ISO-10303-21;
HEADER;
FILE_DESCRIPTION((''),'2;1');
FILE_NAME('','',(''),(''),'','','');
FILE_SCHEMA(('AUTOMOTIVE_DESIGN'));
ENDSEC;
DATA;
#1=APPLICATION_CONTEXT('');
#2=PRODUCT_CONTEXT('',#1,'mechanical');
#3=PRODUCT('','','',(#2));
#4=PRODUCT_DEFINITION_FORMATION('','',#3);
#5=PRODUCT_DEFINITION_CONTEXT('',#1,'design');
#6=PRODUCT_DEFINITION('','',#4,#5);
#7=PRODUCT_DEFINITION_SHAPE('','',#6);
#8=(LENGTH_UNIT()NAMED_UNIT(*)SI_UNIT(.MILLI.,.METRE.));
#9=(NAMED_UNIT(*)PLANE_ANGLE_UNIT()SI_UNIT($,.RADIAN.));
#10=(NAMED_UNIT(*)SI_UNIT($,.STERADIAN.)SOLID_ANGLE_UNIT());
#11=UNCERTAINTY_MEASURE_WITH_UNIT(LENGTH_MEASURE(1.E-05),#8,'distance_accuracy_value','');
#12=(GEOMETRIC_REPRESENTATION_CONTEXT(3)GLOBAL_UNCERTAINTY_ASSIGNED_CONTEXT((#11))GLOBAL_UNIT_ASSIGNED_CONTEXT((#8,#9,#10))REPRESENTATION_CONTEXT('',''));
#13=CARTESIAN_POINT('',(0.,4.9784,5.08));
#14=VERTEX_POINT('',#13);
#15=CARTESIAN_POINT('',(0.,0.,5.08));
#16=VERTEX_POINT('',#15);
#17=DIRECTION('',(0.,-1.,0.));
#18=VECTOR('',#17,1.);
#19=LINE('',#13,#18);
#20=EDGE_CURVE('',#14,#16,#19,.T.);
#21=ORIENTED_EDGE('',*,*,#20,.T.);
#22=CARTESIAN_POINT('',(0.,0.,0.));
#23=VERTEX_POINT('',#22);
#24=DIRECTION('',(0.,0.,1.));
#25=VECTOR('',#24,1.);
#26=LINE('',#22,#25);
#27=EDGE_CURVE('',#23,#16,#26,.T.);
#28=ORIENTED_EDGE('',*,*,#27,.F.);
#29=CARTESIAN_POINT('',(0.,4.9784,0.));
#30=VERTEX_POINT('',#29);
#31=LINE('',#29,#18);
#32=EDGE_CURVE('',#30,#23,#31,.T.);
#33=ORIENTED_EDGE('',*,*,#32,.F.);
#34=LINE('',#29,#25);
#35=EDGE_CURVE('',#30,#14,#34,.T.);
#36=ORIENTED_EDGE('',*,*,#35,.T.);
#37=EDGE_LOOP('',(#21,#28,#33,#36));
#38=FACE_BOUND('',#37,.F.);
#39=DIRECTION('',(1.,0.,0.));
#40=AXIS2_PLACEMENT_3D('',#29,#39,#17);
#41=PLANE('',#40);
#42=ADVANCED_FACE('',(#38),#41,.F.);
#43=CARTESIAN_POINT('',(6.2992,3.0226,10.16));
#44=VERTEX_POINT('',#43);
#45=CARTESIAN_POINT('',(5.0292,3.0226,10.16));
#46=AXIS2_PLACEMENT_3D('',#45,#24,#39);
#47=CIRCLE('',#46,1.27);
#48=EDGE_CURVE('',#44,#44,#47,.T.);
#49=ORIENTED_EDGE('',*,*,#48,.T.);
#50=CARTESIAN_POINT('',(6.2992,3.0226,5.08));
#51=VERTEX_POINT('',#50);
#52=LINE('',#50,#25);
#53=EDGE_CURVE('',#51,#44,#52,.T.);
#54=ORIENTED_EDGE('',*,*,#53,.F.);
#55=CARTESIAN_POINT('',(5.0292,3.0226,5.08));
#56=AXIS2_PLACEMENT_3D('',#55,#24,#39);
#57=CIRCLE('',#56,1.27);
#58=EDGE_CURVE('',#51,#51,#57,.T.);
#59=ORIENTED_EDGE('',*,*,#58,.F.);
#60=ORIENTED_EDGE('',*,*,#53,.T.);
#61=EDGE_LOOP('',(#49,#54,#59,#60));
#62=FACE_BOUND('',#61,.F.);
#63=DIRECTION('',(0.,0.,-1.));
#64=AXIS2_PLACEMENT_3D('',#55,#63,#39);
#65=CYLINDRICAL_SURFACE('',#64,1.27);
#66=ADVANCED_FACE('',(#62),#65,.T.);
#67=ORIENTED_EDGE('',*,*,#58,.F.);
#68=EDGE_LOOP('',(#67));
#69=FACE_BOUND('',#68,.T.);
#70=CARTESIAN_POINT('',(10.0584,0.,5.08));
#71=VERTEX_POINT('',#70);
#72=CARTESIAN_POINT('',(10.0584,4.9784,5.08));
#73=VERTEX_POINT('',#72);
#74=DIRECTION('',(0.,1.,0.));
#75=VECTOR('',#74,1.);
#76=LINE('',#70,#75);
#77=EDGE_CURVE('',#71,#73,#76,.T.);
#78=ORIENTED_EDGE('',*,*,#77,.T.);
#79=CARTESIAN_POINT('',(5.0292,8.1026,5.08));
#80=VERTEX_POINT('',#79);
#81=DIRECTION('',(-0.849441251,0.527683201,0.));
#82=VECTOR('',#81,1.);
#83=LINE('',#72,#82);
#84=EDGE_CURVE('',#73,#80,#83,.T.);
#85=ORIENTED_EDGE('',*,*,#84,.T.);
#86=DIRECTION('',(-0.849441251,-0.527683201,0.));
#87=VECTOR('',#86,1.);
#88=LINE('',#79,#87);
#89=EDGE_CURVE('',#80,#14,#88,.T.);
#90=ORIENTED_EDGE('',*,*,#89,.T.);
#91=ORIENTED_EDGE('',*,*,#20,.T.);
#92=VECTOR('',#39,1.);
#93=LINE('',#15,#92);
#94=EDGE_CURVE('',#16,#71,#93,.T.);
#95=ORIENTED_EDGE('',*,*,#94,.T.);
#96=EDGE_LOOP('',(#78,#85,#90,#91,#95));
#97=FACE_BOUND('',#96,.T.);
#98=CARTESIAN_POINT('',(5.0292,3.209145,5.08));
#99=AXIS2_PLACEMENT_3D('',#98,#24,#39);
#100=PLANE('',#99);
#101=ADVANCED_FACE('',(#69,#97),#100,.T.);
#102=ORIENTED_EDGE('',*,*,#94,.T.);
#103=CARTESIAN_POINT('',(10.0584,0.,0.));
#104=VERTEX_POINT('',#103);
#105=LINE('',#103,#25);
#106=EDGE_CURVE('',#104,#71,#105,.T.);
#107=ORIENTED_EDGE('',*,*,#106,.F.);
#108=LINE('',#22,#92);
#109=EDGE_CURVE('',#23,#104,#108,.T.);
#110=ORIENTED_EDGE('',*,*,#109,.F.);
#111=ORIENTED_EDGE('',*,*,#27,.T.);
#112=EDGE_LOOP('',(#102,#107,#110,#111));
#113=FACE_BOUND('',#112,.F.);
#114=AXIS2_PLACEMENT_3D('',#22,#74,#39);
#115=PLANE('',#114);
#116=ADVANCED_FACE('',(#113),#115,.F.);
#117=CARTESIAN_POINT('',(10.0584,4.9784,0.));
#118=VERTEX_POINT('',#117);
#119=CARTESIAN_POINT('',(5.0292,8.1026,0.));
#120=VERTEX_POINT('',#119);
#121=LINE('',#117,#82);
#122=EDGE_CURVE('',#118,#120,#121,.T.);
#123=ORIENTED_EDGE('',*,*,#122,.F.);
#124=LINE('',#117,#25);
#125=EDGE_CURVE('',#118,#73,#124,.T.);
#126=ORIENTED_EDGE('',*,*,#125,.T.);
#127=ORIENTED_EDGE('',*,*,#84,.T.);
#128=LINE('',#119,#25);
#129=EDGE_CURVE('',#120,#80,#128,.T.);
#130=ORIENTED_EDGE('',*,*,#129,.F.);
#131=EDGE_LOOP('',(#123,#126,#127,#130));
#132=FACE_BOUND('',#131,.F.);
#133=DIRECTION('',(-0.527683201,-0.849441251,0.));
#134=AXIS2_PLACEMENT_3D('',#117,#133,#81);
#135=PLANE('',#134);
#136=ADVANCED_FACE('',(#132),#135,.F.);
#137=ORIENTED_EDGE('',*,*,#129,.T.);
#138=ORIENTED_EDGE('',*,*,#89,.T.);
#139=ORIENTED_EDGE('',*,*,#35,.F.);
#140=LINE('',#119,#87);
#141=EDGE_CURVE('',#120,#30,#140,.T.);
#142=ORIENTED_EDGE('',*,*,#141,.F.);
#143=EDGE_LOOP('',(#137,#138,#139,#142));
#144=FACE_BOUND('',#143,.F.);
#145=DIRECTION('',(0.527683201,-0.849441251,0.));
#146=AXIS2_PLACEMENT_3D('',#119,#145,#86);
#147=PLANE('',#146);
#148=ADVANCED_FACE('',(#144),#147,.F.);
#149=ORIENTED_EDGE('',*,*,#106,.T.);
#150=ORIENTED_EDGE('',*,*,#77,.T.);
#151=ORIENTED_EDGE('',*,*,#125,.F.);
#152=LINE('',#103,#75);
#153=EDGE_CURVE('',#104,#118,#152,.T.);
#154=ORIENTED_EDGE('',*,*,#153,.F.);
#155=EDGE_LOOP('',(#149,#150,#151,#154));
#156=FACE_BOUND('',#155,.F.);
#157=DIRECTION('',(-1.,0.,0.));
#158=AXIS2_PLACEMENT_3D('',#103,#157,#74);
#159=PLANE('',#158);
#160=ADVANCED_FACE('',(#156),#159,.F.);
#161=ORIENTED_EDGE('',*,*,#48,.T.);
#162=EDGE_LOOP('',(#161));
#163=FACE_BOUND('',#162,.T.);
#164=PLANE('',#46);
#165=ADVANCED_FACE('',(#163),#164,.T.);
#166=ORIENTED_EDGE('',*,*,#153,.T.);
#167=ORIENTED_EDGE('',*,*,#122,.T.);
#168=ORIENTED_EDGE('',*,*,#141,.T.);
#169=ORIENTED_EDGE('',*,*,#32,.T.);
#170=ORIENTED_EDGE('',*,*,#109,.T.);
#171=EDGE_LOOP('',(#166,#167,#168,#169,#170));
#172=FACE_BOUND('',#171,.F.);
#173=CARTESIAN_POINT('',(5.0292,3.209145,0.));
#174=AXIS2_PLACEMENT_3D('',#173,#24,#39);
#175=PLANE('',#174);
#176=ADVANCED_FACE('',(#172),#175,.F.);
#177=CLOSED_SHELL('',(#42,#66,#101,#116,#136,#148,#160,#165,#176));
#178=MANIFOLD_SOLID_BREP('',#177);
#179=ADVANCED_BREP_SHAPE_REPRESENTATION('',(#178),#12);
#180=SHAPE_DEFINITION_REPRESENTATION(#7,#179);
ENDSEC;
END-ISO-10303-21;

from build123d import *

# Parameters (mm, degrees)
F1_DEPTH = 5.08
F2_R     = 1.27
F3_DEPTH = 5.08


with BuildPart() as f1:
    # F0 (on Top) → F1 (new body)
    with BuildSketch(Plane.XY):
        Polygon((0, 4.9784), (0, 0), (10.0584, 0), (10.0584, 4.9784), (5.0292, 8.1026), align=None)
    extrude(amount=F1_DEPTH)

    # F2 (on face) → F3 (join)
    with BuildSketch(Plane.XY.offset(5.08)):
        with Locations((5.0292, 3.0226)):
            Circle(F2_R)
    extrude(amount=F3_DEPTH)


solid = f1.part
